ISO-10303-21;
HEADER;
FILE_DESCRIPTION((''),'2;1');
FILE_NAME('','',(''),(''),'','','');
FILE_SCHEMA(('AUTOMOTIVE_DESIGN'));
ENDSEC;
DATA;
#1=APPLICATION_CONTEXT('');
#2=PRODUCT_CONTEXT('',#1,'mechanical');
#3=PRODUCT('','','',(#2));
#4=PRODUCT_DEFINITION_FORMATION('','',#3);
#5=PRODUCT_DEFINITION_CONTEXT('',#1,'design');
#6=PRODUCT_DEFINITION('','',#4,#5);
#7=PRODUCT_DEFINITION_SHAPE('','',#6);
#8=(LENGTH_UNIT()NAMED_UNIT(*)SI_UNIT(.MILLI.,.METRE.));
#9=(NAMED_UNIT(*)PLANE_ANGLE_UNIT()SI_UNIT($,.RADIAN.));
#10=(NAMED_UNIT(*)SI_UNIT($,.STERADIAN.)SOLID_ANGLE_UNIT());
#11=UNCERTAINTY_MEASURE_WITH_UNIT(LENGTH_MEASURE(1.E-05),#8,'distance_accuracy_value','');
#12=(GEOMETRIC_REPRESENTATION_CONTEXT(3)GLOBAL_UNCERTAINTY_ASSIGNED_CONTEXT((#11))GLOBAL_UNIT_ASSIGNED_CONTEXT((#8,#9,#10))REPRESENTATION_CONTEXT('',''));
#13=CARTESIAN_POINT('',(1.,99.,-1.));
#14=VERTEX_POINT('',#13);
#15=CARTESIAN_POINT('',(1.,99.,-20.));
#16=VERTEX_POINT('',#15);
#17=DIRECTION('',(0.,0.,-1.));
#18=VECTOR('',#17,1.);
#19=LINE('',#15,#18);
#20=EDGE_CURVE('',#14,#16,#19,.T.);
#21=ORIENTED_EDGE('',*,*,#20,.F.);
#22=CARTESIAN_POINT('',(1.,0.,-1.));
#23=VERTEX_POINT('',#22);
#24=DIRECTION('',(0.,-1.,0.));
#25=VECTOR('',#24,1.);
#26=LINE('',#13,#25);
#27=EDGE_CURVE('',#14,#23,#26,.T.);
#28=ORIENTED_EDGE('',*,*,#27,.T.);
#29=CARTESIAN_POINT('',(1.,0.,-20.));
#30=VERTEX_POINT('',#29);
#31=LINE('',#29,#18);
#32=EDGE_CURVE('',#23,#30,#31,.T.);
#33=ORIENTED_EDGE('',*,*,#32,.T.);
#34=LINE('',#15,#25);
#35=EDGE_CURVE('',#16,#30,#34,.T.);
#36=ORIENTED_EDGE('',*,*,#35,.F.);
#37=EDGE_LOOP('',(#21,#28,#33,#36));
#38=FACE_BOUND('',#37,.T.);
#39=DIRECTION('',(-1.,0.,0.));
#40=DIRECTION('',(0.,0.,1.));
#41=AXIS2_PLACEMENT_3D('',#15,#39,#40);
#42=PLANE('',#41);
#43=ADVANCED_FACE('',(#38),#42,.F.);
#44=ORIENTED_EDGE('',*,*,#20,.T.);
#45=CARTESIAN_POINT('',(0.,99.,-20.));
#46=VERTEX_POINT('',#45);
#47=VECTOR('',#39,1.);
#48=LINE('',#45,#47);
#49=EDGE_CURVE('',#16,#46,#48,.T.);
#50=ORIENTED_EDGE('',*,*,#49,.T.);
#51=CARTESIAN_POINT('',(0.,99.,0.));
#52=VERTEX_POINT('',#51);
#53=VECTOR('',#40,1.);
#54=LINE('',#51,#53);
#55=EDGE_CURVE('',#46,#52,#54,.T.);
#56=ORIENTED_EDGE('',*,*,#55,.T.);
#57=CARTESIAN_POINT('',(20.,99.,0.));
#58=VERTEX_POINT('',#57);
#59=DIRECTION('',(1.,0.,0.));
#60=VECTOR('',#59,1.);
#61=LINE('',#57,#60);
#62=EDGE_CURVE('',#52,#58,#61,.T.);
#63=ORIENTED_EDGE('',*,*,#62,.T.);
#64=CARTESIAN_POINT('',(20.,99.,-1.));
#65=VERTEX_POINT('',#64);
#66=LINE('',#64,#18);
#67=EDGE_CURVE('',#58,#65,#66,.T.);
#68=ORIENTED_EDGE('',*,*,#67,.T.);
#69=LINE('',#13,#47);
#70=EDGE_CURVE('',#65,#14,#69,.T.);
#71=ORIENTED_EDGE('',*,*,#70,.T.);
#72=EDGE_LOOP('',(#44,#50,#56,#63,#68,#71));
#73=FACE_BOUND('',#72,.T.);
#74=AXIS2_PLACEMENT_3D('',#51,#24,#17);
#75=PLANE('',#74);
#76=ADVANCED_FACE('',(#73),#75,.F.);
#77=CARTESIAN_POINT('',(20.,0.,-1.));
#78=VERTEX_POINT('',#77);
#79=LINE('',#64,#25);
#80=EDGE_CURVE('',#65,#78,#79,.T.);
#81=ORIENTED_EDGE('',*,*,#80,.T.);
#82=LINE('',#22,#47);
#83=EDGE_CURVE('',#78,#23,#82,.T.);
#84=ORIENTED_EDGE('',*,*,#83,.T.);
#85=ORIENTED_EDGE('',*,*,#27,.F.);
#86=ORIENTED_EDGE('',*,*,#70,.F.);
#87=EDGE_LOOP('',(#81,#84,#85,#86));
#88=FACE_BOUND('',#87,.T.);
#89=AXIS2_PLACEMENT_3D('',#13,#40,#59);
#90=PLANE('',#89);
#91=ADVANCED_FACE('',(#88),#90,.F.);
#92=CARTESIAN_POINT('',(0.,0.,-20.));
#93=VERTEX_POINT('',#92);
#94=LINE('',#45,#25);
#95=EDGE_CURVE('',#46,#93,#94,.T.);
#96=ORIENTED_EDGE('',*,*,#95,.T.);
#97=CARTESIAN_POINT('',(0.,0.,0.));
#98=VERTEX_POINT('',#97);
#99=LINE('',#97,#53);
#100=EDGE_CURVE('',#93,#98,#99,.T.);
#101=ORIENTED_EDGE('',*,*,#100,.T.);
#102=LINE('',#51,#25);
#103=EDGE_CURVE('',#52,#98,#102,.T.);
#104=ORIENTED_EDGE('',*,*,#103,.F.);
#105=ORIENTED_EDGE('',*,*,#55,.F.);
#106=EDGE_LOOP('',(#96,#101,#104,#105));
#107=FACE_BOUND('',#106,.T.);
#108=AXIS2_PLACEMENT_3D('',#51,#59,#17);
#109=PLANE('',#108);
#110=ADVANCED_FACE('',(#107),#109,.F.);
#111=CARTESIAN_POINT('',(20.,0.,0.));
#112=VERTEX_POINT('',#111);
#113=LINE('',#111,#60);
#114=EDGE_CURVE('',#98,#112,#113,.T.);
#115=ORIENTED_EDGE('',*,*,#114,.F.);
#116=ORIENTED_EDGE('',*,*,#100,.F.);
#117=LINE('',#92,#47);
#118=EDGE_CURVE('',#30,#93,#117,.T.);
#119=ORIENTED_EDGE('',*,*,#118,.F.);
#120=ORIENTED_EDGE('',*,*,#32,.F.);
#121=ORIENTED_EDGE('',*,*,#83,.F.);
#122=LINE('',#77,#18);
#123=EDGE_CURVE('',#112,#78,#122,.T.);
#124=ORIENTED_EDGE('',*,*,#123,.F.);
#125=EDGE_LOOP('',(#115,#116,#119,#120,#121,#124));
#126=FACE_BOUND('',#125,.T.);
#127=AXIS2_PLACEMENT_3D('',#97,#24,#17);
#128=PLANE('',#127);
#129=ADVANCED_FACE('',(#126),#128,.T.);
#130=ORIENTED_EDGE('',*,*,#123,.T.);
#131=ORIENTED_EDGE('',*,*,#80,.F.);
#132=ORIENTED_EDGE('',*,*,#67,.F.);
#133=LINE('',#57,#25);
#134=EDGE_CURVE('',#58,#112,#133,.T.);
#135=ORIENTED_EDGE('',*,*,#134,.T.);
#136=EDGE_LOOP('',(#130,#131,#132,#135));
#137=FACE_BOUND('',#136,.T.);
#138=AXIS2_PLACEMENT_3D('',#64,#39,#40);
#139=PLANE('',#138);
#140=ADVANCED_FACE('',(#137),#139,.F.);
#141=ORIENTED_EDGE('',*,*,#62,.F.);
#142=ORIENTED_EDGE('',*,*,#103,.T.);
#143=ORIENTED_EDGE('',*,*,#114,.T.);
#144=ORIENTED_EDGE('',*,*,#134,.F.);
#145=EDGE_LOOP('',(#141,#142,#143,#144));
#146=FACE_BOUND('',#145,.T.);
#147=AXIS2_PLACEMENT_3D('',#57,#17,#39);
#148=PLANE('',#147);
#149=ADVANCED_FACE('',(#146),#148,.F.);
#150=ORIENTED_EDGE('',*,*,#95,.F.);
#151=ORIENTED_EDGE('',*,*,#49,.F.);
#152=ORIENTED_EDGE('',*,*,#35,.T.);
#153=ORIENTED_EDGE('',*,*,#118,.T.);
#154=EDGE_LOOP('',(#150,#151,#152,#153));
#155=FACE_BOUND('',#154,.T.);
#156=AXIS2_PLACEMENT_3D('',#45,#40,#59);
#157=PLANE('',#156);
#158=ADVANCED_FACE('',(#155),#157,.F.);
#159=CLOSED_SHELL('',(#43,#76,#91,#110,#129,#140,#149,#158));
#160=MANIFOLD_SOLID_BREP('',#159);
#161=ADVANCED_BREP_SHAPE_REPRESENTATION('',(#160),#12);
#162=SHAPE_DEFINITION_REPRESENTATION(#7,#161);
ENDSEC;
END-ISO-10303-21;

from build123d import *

# Parameters (mm, degrees)
EXTRUDE_1_DEPTH = 99


with BuildPart() as part:
    # Эскиз1 → Бобышка-Вытянуть1 (new body)
    with BuildSketch(Plane(origin=(0, 0, 0), x_dir=(1, 0, 0), z_dir=(0, 1, 0))):
        Polygon((0, 0), (0, 20), (1, 20), (1, 1), (20, 1), (20, 0), align=None)
    extrude(amount=EXTRUDE_1_DEPTH)


solid = part.part
